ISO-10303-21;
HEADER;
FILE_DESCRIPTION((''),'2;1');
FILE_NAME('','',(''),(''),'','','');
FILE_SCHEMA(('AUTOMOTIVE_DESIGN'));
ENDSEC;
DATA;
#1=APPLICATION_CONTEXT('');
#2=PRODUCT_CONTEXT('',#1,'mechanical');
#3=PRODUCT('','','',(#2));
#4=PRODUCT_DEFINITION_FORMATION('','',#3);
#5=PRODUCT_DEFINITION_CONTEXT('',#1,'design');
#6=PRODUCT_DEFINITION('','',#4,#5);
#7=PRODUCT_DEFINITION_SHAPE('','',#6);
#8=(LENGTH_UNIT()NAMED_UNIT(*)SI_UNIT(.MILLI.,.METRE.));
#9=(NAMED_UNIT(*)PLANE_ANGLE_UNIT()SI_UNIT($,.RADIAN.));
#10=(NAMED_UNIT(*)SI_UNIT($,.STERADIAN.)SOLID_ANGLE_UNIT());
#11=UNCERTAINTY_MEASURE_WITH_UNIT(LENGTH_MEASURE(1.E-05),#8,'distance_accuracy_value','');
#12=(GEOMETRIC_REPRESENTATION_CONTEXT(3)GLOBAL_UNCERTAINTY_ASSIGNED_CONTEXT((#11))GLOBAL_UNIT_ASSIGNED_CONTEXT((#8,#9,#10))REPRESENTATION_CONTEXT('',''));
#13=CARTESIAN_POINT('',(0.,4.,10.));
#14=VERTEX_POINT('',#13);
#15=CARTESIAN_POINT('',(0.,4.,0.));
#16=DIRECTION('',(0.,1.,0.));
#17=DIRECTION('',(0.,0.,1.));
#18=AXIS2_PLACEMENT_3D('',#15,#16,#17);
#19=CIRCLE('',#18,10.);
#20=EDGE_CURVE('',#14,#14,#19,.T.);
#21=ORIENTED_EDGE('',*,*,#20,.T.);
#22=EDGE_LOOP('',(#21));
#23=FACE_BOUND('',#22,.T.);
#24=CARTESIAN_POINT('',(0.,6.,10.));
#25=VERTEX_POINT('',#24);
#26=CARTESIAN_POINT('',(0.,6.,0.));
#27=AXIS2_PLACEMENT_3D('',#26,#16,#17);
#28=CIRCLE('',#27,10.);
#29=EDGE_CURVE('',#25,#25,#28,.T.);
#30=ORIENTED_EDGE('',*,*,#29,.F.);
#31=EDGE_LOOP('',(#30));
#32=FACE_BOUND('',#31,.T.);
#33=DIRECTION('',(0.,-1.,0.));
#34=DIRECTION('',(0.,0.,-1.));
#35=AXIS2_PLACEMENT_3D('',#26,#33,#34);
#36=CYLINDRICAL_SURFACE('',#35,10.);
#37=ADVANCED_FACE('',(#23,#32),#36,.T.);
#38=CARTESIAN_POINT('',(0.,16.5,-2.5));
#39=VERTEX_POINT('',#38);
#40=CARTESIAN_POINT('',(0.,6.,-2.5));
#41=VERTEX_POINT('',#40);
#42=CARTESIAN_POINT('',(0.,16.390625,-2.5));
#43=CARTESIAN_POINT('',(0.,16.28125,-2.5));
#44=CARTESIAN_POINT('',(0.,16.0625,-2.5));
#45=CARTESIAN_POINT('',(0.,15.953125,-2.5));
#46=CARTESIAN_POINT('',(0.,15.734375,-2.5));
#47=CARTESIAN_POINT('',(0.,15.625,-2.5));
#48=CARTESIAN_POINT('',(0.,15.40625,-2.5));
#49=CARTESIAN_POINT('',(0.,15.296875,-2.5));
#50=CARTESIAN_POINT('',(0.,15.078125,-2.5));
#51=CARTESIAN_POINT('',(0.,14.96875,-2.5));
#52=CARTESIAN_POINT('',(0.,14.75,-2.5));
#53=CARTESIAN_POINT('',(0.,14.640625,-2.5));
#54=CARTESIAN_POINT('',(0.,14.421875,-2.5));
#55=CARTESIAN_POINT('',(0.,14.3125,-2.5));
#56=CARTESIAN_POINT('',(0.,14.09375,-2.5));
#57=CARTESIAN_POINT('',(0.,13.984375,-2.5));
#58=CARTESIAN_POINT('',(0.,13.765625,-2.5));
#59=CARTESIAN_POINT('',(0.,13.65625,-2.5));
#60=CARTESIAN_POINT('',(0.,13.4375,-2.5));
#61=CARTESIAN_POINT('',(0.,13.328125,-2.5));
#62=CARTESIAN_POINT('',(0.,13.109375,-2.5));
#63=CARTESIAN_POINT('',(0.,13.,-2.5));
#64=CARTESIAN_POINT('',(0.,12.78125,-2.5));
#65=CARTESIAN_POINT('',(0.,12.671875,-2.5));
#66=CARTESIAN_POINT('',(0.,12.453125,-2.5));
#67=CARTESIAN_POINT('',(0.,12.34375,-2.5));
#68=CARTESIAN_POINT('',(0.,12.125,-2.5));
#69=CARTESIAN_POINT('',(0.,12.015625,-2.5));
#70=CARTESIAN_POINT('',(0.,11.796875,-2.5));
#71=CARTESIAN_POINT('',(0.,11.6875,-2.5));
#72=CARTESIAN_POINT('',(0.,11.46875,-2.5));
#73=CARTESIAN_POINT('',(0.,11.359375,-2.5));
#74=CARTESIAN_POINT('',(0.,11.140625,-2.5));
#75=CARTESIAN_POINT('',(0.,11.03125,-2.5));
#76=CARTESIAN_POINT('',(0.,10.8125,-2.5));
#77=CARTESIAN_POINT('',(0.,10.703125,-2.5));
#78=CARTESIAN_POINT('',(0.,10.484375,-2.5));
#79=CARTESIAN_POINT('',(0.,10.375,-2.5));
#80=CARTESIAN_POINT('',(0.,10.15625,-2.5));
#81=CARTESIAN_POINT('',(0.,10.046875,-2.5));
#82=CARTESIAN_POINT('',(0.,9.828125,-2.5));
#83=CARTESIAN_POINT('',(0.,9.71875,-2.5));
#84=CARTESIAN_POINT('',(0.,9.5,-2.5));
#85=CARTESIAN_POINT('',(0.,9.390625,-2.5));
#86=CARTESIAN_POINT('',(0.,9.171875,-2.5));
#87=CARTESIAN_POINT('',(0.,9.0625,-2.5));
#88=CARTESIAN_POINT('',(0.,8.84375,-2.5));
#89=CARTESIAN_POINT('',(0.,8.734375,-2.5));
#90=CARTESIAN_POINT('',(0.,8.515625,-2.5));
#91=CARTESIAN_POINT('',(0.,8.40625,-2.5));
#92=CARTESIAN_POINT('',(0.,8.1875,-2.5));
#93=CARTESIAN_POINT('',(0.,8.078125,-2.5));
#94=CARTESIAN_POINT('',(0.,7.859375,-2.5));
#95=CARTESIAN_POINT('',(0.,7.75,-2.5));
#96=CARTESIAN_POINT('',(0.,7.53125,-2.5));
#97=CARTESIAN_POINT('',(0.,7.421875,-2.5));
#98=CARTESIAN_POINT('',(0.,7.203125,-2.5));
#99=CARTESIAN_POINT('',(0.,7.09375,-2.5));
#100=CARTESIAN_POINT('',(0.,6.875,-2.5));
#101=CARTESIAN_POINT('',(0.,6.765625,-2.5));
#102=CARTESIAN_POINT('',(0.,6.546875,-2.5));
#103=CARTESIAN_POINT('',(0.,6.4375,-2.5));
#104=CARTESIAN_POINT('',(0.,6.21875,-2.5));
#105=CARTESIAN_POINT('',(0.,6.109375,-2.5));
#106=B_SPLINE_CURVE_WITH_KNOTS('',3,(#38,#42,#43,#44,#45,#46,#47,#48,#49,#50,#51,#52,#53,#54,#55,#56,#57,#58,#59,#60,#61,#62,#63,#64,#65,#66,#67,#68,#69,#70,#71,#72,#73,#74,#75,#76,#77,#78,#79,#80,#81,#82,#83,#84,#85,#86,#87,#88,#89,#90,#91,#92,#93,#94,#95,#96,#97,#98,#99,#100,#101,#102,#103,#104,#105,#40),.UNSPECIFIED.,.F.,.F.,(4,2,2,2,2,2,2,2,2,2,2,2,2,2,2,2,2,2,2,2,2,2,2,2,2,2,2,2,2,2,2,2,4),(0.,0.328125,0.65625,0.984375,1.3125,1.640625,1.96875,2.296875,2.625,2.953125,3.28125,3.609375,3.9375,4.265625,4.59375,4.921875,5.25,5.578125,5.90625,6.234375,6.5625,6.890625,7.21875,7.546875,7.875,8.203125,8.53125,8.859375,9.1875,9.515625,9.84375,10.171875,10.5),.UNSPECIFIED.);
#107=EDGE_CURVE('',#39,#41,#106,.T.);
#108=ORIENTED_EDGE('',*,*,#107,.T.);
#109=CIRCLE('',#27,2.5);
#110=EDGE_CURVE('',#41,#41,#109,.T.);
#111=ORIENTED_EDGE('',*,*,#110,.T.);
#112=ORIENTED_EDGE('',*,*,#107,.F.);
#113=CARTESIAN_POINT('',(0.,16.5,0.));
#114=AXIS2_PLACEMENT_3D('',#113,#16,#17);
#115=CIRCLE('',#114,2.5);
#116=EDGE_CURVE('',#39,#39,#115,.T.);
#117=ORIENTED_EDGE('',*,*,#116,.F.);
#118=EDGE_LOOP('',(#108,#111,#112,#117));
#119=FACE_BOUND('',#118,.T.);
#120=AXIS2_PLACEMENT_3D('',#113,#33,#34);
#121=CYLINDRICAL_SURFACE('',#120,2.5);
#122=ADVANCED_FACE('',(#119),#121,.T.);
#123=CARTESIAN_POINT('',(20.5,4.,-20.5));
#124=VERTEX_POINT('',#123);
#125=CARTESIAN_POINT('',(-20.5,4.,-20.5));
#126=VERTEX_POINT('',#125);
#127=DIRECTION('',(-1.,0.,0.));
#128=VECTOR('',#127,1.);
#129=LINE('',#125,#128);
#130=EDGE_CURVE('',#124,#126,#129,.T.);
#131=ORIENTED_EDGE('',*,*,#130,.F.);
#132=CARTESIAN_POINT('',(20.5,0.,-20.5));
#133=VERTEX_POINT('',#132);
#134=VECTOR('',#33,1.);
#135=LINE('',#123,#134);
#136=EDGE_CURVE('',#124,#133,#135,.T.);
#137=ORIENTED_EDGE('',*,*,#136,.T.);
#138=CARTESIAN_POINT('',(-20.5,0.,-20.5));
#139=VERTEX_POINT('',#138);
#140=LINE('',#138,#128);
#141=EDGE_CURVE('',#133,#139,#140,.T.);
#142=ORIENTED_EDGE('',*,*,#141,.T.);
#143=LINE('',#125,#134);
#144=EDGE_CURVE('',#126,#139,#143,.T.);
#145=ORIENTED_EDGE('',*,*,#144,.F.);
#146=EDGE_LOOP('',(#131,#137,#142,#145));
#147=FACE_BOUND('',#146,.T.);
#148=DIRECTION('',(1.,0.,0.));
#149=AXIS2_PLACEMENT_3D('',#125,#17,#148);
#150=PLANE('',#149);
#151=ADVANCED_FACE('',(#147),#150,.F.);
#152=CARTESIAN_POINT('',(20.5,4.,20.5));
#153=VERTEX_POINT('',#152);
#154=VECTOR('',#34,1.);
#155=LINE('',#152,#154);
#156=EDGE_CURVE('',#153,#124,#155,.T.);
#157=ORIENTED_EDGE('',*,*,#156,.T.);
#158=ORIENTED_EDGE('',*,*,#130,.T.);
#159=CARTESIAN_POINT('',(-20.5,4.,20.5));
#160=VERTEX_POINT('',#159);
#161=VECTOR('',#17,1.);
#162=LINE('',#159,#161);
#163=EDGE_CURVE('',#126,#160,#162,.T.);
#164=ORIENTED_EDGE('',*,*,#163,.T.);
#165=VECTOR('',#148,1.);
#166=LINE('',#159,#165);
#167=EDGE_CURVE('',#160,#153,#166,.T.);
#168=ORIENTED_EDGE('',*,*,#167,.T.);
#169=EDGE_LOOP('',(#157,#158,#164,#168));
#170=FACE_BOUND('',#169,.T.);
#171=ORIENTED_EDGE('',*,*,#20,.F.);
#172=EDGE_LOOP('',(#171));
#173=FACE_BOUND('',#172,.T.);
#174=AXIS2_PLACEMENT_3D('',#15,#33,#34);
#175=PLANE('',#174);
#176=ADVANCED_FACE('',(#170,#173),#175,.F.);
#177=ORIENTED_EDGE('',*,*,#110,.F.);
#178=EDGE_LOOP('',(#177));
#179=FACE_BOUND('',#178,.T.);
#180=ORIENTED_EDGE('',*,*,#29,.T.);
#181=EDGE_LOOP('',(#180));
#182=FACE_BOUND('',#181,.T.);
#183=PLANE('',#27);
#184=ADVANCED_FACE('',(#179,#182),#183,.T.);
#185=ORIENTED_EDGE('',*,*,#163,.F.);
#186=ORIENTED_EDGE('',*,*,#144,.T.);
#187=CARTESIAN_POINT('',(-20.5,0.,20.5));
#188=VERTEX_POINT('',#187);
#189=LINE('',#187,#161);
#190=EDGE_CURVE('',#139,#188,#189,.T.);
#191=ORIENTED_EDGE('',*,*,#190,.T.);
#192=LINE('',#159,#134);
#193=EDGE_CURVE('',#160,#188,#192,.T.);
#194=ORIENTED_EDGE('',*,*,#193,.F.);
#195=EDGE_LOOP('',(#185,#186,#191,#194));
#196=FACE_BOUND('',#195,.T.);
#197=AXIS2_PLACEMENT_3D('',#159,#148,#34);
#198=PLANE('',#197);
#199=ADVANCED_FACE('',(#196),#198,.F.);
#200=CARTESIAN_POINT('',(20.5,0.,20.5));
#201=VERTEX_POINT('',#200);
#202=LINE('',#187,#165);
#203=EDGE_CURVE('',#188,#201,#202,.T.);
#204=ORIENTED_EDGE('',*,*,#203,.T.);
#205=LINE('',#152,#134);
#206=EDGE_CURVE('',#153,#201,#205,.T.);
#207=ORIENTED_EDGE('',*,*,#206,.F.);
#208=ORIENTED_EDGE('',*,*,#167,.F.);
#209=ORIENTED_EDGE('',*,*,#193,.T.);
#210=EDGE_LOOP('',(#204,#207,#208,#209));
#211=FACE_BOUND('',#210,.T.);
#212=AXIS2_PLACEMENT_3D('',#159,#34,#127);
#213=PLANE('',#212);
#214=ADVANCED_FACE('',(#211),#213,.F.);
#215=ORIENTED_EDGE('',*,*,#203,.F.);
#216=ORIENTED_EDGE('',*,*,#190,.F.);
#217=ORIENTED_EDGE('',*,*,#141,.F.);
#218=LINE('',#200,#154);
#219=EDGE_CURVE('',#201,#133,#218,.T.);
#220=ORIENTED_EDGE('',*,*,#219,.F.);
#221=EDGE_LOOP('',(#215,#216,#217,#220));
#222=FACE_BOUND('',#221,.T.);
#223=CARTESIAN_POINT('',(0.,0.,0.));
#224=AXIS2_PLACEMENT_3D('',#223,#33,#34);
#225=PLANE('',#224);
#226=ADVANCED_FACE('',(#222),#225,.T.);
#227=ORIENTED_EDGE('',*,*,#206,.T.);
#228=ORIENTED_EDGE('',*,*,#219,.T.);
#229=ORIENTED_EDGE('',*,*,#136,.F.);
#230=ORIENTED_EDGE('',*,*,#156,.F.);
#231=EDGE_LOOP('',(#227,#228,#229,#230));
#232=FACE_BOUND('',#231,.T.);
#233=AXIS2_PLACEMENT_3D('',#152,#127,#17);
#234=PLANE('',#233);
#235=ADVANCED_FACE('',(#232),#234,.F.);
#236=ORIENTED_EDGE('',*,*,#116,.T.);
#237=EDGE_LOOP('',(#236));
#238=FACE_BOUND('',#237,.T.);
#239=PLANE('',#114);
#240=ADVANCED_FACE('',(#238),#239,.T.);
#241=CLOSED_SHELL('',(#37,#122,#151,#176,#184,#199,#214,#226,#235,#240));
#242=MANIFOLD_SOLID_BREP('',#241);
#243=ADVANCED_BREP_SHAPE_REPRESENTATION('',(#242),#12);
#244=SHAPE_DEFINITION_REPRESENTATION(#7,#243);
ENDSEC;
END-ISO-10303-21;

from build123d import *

# Parameters (mm, degrees)
SKETCH_1_W      = 41
SKETCH_1_H      = 41
EXTRUDE_1_DEPTH = 4
SKETCH_2_R      = 10
EXTRUDE_2_DEPTH = 2
SKETCH_3_R      = 2.5
EXTRUDE_3_DEPTH = 10.5


with BuildPart() as part:
    # 草图1 → 凸台-拉伸1 (new body)
    with BuildSketch(Plane(origin=(0, 0, 0), x_dir=(1, 0, 0), z_dir=(0, 1, 0))):
        Rectangle(SKETCH_1_W, SKETCH_1_H)
    extrude(amount=EXTRUDE_1_DEPTH)

    # 草图2 → 凸台-拉伸2 (add)
    with BuildSketch(Plane(origin=(0, 4, 0), x_dir=(1, 0, 0), z_dir=(0, 1, 0))):
        with Locations(Location((0, 0, 0), (0, 0, 270))):
            Circle(SKETCH_2_R)
    extrude(amount=EXTRUDE_2_DEPTH)

    # 草图3 → 凸台-拉伸3 (add)
    with BuildSketch(Plane(origin=(0, 6, 0), x_dir=(1, 0, 0), z_dir=(0, 1, 0))):
        with Locations(Location((0, 0, 0), (0, 0, 90))):
            Circle(SKETCH_3_R)
    extrude(amount=EXTRUDE_3_DEPTH)


solid = part.part
